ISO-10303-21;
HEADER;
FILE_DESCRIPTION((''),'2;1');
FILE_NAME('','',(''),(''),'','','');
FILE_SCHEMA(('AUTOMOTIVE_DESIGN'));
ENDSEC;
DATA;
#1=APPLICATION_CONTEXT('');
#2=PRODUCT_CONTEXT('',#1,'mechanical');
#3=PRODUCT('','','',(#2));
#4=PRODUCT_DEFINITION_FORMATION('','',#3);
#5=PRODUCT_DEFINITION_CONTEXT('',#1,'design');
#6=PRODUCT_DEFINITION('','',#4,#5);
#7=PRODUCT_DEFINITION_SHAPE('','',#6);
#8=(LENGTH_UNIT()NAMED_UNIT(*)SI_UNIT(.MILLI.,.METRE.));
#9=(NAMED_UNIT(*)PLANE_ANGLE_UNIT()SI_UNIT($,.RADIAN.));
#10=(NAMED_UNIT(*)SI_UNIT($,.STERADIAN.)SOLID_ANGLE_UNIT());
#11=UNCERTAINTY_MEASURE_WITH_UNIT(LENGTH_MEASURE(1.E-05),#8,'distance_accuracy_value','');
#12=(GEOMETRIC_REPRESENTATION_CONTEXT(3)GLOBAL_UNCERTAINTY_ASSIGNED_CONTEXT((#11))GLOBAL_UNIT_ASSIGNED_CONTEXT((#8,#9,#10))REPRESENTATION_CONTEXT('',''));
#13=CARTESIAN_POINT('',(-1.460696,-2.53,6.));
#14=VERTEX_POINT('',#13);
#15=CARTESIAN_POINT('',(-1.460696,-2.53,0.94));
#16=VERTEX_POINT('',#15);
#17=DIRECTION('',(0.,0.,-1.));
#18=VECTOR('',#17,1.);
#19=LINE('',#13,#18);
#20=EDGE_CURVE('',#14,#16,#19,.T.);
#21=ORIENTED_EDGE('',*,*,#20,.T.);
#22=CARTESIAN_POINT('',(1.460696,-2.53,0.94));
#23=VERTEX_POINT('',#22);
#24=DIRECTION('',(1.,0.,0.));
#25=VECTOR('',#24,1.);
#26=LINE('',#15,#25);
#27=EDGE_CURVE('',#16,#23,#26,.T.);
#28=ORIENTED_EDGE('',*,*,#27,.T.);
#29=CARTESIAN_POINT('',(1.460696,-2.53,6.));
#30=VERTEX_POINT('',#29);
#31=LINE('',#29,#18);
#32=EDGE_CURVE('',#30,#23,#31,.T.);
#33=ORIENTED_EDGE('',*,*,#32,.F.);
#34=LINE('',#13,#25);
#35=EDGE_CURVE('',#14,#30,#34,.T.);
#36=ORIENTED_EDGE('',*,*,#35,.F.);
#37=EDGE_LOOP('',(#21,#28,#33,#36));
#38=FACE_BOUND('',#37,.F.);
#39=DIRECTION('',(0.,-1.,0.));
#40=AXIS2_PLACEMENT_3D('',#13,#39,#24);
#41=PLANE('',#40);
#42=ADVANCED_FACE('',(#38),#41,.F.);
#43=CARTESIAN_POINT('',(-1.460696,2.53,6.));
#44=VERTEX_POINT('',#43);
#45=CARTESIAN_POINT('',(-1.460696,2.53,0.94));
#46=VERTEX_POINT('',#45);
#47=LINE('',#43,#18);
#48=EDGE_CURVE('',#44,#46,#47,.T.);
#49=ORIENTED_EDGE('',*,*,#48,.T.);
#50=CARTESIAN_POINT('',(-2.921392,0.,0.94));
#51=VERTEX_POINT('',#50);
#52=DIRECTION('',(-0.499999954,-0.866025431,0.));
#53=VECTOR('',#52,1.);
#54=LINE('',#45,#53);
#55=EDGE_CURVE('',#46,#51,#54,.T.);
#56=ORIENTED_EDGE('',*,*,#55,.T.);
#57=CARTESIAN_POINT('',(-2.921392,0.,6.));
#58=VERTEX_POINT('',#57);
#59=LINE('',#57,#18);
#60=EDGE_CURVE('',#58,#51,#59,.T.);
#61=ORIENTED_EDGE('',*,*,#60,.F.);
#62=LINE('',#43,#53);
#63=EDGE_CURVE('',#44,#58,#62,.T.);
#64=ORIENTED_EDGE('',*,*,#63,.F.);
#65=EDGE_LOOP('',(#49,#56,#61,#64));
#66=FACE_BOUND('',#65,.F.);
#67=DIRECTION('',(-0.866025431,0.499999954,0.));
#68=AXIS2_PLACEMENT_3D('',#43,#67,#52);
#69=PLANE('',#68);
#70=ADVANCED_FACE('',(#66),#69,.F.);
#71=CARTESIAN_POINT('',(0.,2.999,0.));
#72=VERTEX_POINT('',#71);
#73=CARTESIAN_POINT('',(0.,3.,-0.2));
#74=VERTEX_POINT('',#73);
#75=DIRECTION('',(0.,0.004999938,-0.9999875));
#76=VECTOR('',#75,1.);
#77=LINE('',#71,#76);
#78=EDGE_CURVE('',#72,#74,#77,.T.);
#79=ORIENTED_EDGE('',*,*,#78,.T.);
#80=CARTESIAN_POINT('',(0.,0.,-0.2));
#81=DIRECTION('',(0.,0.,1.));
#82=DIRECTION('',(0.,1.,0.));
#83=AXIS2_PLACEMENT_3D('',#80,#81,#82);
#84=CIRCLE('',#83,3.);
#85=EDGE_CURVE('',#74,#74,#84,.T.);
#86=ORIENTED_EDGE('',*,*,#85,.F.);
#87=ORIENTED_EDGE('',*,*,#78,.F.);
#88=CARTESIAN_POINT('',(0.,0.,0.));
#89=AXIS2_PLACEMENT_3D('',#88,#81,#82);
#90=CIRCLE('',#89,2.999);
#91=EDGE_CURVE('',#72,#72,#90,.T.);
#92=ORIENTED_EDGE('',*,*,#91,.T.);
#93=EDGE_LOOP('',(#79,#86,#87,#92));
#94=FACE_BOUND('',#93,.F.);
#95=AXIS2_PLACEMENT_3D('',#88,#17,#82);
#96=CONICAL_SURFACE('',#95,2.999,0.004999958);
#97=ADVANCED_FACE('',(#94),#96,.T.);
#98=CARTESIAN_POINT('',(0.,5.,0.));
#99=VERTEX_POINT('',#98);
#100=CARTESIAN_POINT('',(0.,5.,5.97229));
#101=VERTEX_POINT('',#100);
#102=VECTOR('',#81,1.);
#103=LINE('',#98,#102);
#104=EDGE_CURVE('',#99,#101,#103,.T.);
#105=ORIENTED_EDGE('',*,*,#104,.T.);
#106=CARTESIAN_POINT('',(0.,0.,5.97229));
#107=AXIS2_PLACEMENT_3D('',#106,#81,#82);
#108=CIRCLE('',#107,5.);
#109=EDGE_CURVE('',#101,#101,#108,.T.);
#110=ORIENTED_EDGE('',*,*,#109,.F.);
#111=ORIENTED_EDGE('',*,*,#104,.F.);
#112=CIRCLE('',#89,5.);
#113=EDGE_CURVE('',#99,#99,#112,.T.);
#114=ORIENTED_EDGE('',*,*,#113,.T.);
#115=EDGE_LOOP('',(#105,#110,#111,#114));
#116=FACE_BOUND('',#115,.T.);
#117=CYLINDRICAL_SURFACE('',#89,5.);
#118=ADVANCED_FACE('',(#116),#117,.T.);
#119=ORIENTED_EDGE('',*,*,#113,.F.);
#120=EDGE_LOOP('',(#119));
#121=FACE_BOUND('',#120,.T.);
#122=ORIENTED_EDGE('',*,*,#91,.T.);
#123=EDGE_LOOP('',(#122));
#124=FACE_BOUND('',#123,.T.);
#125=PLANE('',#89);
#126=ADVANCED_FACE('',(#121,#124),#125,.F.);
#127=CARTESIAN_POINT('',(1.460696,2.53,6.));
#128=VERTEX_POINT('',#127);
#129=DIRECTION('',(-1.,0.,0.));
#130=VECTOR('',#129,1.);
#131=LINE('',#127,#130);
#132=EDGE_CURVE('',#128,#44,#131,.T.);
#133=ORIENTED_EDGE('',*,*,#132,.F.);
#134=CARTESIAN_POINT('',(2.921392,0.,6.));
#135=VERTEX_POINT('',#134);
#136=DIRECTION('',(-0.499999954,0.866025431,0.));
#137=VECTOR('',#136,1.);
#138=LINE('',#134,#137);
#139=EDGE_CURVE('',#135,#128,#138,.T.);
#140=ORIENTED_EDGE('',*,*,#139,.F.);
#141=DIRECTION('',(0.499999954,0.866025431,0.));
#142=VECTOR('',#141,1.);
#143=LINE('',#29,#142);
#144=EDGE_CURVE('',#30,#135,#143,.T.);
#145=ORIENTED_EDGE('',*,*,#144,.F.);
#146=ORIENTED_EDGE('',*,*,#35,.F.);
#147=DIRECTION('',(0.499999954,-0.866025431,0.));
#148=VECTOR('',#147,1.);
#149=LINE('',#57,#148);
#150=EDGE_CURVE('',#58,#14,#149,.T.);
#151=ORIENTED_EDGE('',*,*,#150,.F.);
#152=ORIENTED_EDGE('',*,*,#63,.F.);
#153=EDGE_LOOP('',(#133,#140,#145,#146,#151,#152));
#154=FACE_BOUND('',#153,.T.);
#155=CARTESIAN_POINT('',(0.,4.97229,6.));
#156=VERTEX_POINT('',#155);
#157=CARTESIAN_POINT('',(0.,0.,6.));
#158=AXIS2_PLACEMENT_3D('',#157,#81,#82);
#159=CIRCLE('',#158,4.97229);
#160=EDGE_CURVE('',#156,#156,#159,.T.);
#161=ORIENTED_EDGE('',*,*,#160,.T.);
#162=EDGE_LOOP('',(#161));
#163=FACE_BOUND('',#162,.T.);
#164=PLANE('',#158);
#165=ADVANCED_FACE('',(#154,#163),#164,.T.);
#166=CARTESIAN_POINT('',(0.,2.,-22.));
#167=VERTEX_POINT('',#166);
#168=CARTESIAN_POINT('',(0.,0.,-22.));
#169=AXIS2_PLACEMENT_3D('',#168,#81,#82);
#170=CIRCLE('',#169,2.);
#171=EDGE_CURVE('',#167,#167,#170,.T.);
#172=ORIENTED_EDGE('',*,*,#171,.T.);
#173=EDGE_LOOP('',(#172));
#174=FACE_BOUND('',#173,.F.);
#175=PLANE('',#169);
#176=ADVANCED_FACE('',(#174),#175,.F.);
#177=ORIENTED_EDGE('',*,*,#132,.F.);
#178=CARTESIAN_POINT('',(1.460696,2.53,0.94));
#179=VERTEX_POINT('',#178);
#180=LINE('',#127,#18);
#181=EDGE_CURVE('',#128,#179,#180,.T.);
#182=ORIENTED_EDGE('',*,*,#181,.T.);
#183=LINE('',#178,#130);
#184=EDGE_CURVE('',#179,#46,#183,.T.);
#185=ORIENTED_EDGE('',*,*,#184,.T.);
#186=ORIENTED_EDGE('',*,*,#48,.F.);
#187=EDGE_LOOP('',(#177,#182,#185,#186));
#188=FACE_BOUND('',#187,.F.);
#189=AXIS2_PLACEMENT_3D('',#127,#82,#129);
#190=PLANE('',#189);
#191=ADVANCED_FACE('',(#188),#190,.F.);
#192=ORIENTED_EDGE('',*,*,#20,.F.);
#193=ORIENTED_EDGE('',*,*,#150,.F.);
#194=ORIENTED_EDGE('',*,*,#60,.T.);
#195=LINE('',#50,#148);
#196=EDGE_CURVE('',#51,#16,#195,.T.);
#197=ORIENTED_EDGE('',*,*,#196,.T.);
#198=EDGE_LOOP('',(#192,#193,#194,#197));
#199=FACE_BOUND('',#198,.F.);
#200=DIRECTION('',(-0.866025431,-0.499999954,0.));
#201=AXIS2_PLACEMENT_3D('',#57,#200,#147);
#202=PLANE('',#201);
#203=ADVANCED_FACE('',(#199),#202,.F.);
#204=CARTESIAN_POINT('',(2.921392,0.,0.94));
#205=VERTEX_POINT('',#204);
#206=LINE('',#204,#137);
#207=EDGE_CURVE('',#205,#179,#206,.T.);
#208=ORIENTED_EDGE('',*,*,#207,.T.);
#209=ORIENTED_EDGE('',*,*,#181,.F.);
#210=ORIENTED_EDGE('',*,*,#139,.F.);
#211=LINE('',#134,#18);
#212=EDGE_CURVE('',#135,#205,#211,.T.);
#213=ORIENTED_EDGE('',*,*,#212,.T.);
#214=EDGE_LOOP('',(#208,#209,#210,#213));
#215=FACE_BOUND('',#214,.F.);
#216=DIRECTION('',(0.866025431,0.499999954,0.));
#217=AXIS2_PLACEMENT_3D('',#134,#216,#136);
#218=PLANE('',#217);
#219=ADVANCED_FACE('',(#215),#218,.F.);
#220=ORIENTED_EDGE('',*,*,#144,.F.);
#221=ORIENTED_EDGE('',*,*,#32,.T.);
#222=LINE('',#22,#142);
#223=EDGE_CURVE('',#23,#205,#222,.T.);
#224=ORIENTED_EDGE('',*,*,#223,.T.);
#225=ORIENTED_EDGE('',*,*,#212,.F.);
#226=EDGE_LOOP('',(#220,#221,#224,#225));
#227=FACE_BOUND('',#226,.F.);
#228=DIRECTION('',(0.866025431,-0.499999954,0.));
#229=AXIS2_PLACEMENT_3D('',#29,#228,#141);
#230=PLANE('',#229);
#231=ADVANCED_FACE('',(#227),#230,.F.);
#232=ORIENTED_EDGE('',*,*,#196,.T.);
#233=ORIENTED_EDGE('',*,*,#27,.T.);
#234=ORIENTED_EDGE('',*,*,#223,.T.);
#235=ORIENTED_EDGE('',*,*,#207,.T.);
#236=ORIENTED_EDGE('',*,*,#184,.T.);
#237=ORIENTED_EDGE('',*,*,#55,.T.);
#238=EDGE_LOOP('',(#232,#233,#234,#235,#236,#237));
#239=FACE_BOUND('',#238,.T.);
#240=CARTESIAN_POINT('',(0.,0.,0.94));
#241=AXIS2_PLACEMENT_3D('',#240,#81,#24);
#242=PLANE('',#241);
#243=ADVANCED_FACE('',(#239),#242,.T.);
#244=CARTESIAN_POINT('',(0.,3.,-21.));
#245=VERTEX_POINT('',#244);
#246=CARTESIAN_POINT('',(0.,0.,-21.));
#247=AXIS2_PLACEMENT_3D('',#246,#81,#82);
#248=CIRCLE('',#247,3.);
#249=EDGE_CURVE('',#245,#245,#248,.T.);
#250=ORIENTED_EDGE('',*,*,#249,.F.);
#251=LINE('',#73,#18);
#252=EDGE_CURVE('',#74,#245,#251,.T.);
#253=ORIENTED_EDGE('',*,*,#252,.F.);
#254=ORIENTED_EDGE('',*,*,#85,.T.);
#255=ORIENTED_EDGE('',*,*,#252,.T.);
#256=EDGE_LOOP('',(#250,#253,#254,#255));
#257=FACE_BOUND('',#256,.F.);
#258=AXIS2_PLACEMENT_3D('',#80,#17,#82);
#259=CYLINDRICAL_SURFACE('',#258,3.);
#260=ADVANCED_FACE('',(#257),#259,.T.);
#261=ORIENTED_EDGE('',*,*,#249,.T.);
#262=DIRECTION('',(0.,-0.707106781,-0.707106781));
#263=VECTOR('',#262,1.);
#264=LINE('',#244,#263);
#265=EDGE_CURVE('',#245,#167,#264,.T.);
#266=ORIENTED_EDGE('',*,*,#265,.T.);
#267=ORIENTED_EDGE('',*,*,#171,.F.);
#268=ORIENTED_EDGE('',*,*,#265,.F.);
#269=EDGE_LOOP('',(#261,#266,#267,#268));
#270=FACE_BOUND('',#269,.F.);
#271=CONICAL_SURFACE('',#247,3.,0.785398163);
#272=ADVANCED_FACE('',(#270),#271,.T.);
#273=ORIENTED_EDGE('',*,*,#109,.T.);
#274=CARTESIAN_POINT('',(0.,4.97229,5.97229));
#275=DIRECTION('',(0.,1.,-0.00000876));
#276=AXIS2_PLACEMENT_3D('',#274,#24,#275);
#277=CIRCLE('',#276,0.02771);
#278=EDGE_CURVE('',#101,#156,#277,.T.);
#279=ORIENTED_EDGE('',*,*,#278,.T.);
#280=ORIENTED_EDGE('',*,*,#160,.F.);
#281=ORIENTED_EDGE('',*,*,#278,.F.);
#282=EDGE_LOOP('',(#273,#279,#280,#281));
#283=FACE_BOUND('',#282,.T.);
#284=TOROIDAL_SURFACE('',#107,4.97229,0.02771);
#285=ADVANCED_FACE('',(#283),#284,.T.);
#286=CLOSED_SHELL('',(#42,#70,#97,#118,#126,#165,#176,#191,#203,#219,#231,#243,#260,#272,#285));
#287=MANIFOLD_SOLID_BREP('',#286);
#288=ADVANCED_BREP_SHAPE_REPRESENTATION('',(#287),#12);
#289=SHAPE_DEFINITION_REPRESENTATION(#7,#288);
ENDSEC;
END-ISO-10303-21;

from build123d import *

# Parameters (mm, degrees)
POCKET_DEPTH = 5.06


with BuildPart() as part:
    # Sketch → Revolve (revolve)
    with BuildSketch(Plane.YZ):
        with BuildLine():
            Line((2.999, 0), (5, 0))
            Line((5, 0), (5, 5.97229))
            ThreePointArc((5, 5.97229), (4.991884, 5.991884), (4.97229, 6))
            Line((4.97229, 6), (0, 6))
            Line((0, -22), (0, 6))
            Line((2, -22), (0, -22))
            Line((3, -21), (2, -22))
            Line((3, -0.2), (3, -21))
            Line((2.999, 0), (3, -0.2))
        make_face()
    revolve(axis=Axis((0, 0, 0), (0, 0, 1)))

    # Sketch001 → Pocket (cut)
    with BuildSketch(Plane.XY.offset(6)):
        Polygon((2.921392, 0), (1.460696, 2.53), (-1.460696, 2.53), (-2.921392, 0), (-1.460696, -2.53), (1.460696, -2.53), align=None)
    extrude(amount=-POCKET_DEPTH, mode=Mode.SUBTRACT)


solid = part.part
